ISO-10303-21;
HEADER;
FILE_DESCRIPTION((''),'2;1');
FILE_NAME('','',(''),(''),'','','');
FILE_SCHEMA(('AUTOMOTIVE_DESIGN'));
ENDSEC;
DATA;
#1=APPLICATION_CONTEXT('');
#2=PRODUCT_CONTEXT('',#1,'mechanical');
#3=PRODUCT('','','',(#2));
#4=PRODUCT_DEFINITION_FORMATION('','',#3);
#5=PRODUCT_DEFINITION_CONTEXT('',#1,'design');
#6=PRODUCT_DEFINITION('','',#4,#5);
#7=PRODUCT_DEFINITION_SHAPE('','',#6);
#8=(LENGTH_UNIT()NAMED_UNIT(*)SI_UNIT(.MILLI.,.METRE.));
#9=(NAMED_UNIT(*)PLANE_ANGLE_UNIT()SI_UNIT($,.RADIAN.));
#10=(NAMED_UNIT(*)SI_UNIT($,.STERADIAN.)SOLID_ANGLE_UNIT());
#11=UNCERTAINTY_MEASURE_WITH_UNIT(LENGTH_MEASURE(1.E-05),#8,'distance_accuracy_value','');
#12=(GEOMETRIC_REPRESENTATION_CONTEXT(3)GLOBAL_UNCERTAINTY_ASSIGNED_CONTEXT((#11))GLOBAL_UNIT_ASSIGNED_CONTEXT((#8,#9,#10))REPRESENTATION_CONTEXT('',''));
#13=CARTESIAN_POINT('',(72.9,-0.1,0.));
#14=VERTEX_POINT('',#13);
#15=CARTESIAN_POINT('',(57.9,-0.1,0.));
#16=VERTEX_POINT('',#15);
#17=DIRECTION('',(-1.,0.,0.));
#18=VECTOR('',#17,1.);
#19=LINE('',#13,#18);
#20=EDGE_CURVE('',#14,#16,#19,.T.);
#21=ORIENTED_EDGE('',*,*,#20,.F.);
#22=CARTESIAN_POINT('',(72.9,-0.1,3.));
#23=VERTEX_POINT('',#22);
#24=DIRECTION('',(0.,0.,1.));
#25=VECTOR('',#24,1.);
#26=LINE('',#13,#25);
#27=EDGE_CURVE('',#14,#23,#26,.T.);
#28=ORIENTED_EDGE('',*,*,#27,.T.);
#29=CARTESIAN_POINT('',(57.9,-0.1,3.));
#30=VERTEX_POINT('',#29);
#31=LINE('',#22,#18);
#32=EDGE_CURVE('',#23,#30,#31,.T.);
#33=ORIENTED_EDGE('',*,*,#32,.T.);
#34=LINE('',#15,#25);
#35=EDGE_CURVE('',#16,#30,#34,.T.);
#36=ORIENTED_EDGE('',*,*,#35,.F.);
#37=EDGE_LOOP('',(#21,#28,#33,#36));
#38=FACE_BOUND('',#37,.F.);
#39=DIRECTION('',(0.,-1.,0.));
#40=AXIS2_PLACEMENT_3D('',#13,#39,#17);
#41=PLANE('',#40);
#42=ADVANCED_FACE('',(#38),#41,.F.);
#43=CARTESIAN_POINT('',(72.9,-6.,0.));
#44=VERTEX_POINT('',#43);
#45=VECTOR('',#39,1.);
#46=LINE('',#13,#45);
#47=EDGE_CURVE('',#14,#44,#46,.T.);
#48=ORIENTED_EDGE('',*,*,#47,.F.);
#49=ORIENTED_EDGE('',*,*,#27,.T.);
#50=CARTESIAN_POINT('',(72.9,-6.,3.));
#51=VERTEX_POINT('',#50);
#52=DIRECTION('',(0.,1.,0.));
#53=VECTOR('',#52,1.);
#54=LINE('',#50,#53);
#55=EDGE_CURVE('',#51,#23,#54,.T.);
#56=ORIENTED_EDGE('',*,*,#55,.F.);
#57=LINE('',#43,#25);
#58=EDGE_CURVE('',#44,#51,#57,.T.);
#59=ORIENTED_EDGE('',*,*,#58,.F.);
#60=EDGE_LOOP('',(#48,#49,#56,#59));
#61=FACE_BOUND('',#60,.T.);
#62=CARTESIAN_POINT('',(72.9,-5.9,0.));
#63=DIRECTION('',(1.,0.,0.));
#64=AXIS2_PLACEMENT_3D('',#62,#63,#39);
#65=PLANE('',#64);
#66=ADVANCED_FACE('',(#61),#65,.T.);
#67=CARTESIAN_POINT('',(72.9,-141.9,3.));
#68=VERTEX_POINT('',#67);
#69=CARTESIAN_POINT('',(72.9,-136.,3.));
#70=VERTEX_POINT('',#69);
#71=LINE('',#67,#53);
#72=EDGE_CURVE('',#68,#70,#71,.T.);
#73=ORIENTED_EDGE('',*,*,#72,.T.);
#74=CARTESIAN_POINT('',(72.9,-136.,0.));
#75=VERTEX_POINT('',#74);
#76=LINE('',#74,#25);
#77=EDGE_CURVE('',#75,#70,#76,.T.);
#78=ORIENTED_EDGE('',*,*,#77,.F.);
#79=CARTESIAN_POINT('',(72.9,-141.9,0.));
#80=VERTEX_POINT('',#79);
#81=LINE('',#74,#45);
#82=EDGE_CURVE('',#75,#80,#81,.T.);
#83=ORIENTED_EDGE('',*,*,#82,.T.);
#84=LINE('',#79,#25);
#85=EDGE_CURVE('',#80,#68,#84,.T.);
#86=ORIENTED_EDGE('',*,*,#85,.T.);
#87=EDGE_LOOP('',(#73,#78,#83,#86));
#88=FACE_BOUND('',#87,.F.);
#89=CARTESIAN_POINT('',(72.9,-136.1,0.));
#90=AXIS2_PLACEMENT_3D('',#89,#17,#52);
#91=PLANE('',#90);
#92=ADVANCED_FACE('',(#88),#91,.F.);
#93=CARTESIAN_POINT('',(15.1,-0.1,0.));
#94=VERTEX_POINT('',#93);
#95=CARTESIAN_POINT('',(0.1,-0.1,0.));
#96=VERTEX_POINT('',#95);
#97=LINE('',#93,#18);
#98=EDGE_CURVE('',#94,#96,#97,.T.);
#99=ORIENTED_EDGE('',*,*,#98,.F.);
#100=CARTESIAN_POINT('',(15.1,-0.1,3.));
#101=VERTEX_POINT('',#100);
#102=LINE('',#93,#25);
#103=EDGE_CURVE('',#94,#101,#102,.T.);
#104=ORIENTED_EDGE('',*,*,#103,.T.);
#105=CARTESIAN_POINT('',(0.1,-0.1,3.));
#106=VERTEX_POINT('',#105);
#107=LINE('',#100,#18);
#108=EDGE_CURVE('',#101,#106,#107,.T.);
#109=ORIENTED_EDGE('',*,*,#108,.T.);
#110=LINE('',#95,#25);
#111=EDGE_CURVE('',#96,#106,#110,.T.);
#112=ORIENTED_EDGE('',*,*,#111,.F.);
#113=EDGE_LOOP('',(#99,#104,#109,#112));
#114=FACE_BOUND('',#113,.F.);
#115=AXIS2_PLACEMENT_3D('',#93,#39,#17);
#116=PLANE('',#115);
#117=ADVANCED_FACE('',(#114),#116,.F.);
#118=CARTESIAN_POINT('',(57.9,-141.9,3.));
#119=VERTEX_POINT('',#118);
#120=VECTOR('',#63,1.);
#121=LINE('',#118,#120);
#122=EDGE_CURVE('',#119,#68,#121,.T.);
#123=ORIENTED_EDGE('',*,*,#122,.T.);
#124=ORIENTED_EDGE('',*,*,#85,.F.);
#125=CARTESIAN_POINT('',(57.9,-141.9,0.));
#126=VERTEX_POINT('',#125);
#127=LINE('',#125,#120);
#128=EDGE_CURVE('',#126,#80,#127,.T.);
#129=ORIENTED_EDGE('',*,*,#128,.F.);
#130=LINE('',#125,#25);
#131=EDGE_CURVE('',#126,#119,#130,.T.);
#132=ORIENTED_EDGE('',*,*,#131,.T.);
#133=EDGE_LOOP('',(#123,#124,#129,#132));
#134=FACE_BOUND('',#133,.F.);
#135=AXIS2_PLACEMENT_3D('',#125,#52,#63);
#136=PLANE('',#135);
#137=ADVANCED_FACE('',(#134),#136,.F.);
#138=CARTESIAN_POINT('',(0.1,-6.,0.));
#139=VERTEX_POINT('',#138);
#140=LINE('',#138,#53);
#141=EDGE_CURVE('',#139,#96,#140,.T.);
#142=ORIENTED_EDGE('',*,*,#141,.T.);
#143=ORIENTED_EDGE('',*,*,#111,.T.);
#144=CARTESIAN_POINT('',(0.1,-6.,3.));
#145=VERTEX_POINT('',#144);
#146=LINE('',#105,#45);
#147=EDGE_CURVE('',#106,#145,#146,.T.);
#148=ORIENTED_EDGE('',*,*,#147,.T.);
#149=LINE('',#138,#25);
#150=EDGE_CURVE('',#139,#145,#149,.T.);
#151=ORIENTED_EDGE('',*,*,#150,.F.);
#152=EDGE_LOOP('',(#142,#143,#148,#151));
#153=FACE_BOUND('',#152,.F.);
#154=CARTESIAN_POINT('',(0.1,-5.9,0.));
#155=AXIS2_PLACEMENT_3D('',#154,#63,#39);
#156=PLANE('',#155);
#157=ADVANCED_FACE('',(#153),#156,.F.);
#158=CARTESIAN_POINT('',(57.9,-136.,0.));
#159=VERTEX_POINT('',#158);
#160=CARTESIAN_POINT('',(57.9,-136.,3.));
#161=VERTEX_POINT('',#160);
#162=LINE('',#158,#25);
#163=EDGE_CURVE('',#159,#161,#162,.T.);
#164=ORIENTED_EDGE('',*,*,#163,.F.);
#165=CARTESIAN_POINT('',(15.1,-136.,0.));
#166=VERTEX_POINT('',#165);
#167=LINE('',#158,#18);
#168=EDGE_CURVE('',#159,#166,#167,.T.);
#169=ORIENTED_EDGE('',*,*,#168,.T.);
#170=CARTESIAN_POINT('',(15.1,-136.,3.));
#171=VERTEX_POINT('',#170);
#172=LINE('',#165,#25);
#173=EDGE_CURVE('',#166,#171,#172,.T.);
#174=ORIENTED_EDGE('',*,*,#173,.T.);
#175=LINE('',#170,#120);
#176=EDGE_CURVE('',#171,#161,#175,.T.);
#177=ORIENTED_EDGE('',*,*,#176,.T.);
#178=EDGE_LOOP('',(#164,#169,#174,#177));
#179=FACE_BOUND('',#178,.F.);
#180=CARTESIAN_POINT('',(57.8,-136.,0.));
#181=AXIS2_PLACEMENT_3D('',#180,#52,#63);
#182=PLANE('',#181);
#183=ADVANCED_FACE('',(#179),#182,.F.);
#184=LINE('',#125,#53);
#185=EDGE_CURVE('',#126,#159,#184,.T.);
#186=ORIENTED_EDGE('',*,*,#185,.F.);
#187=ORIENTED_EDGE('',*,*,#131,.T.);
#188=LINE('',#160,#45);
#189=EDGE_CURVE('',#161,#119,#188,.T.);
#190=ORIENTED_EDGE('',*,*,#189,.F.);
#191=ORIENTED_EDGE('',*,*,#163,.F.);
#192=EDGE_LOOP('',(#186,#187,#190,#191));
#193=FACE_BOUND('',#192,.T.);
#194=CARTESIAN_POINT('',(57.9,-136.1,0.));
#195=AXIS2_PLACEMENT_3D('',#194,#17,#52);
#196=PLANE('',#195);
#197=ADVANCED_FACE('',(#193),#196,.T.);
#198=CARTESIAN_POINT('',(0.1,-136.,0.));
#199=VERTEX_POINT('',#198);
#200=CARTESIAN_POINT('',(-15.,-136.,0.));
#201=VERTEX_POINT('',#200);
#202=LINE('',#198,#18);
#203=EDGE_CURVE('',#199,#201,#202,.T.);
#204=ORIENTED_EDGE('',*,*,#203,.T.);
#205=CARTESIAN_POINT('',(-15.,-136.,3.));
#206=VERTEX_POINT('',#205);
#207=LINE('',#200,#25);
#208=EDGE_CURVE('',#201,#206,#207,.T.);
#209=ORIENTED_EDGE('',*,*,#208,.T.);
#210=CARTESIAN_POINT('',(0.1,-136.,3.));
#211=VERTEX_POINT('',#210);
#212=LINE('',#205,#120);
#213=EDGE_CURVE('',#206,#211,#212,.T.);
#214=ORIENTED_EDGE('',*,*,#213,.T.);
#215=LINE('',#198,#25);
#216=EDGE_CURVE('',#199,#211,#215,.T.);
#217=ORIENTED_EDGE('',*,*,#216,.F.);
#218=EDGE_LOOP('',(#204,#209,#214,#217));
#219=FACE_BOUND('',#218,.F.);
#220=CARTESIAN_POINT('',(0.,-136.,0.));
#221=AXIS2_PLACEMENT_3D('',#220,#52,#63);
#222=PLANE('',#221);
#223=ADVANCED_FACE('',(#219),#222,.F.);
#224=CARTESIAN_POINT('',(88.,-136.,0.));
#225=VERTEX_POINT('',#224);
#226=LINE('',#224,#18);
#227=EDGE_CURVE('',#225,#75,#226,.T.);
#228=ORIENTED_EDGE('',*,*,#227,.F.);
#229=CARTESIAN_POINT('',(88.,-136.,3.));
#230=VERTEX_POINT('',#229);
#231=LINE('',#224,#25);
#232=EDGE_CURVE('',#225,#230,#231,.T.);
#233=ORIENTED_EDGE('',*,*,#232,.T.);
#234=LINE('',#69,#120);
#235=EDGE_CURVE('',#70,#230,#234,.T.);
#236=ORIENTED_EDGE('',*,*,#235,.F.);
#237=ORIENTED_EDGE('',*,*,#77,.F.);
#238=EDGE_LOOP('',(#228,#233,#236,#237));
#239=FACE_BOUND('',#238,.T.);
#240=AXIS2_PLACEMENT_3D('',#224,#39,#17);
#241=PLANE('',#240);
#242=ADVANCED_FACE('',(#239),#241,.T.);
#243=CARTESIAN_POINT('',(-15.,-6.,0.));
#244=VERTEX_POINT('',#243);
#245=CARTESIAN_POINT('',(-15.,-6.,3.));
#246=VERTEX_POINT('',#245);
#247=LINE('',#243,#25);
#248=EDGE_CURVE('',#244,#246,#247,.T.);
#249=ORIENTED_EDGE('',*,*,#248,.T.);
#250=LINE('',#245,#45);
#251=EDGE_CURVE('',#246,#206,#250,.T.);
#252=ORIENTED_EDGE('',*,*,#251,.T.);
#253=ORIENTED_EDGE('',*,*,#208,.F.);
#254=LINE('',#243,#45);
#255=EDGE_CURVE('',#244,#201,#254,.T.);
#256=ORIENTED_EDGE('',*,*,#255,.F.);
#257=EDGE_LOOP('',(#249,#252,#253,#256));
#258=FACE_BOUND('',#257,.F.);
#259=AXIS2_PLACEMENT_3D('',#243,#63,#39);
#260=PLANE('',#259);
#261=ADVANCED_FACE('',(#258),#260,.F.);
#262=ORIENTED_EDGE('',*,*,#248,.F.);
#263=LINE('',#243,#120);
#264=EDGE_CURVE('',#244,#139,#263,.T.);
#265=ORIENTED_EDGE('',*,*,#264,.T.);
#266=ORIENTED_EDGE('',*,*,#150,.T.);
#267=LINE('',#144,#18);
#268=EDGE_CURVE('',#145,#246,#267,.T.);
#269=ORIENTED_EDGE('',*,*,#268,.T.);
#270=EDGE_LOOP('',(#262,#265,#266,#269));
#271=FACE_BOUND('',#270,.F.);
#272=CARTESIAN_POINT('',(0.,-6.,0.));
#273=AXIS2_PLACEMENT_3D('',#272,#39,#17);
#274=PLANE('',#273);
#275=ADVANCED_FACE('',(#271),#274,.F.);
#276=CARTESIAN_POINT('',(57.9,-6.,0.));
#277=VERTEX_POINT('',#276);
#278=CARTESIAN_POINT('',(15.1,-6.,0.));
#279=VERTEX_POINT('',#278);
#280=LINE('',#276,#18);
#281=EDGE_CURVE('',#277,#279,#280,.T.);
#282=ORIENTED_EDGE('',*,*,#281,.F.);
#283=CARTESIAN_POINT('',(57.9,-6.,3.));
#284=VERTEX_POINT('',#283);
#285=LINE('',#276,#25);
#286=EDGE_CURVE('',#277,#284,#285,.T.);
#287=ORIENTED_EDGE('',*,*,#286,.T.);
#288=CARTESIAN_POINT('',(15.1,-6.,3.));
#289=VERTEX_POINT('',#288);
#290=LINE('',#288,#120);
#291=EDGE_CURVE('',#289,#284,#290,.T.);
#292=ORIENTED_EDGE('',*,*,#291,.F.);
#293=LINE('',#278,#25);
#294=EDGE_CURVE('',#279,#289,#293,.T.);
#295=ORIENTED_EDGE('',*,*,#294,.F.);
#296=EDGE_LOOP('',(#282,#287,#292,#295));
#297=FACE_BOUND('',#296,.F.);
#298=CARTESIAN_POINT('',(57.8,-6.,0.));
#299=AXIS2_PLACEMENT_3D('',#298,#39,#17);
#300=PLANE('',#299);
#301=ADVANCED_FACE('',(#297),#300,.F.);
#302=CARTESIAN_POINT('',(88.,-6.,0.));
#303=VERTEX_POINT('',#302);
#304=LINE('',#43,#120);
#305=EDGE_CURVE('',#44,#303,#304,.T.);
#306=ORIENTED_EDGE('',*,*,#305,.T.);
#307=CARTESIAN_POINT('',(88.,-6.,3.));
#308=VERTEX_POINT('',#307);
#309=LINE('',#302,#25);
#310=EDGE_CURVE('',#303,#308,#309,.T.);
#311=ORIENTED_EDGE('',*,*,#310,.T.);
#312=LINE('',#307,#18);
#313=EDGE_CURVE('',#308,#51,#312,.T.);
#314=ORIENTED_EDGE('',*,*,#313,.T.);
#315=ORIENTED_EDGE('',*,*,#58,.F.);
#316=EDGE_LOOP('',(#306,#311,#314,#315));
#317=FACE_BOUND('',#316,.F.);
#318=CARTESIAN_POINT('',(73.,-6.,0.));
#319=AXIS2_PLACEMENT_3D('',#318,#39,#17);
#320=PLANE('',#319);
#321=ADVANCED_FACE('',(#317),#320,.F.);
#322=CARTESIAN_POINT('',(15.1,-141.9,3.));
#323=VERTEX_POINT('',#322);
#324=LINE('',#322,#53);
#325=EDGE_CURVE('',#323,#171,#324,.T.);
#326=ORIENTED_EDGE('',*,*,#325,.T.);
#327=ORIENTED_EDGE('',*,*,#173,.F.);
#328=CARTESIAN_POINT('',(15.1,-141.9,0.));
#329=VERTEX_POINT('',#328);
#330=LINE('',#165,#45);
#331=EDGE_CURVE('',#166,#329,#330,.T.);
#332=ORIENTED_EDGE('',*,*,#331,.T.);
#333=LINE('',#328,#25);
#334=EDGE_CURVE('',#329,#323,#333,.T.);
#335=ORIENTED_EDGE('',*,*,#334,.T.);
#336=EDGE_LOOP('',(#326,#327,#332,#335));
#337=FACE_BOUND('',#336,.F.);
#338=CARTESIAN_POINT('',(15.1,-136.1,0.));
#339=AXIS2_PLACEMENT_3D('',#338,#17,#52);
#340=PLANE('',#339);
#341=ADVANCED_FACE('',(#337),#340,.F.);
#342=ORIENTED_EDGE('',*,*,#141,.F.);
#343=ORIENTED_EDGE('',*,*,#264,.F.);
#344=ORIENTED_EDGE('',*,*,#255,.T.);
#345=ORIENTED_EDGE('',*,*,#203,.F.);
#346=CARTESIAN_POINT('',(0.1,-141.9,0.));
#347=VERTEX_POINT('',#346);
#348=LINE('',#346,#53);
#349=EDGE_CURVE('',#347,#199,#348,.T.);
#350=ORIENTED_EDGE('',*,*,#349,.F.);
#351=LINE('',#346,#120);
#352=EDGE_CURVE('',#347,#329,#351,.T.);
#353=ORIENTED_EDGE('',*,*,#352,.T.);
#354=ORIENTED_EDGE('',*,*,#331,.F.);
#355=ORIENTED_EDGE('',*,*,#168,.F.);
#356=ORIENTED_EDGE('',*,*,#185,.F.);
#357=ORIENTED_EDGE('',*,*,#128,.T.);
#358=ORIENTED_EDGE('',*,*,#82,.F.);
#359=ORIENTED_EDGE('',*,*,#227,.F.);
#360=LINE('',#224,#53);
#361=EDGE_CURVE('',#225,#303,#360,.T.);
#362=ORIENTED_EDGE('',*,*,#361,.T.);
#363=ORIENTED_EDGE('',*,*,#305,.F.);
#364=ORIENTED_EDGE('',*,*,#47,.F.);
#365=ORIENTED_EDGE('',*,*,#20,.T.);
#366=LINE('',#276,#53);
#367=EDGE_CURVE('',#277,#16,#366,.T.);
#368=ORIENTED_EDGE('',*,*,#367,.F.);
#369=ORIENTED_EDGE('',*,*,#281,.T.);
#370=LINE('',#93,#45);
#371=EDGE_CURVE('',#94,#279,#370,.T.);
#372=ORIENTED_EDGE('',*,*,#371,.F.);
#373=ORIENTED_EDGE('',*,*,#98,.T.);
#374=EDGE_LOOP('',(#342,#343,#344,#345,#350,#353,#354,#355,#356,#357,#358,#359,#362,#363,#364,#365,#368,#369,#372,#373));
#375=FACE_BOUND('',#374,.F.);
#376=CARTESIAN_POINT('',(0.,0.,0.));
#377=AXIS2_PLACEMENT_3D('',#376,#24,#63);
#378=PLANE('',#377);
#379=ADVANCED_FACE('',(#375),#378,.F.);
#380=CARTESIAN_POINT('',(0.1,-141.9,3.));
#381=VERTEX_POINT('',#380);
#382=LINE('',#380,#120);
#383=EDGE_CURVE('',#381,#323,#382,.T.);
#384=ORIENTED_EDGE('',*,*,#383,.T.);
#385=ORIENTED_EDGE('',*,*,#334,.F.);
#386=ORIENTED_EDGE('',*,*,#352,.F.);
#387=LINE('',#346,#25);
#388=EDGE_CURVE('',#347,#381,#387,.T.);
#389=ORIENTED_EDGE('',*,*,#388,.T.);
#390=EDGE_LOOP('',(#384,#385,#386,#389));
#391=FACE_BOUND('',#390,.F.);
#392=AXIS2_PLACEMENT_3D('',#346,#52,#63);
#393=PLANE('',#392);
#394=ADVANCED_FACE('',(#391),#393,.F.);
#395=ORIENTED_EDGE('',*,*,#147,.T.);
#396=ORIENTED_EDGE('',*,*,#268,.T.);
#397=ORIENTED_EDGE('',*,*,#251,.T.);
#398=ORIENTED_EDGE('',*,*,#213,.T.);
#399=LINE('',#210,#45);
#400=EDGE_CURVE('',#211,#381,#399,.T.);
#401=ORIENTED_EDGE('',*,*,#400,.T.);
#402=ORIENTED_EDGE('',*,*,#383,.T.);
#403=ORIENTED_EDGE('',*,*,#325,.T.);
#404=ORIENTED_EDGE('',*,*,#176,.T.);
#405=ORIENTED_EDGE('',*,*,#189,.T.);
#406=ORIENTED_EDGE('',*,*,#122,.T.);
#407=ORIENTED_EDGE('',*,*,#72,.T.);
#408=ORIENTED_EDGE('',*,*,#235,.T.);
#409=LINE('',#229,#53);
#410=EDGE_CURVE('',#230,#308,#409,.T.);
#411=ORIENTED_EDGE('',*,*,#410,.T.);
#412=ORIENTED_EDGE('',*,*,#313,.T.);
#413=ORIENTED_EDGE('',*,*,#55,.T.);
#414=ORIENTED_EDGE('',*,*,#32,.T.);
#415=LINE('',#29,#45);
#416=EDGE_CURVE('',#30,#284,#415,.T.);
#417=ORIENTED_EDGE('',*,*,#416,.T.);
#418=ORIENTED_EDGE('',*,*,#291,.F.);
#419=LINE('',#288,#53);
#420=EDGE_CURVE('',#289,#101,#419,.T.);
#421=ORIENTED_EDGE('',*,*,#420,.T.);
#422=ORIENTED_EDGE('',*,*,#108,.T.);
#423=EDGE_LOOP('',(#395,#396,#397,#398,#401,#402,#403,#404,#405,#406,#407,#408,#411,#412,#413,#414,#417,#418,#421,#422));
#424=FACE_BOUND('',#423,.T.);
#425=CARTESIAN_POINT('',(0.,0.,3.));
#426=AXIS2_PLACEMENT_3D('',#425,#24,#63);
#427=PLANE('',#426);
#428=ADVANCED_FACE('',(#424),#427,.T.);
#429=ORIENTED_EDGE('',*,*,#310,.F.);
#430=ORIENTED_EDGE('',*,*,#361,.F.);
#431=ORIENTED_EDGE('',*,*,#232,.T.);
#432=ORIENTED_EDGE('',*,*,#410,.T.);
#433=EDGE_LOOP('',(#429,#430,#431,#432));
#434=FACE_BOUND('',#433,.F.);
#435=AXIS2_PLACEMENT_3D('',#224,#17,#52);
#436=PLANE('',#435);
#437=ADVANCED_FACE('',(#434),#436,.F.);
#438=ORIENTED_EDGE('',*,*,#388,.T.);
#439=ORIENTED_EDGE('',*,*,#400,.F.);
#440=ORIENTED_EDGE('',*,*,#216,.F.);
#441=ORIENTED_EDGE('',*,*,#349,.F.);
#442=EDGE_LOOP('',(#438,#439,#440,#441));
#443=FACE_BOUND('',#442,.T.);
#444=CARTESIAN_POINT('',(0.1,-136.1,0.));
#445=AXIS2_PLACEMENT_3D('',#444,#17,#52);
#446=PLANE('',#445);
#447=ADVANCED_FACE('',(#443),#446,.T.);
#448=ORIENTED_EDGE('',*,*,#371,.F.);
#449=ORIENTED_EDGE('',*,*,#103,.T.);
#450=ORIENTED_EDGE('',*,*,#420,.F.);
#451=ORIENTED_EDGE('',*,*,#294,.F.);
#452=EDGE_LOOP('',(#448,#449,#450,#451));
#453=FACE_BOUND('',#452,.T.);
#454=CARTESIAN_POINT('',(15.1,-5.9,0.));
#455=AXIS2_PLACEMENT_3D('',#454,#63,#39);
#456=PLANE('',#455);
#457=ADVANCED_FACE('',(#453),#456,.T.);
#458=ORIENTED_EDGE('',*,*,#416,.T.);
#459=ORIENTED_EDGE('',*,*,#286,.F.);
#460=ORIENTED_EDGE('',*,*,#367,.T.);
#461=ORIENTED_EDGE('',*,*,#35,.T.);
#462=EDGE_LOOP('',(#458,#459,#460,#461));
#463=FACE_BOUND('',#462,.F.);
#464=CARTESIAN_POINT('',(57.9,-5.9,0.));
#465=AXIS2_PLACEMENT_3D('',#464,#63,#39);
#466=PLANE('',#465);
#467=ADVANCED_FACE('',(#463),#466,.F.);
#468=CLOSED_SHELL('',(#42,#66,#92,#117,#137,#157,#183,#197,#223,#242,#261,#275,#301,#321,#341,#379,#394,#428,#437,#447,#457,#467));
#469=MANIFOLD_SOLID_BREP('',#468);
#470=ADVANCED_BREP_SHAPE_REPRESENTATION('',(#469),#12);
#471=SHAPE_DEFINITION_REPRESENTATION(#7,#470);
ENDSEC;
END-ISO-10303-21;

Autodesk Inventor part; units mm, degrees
ref_plane "YZ Plane" through (0, 0, 0) normal (1, 0, 0) x (0, 1, 0)
ref_plane "XZ Plane" through (0, 0, 0) normal (0, 1, 0) x (-1, 0, 0)
ref_plane "XY Plane" through (0, 0, 0) normal (0, 0, 1) x (1, 0, 0)
sketch "Sketch1" plane through (0, 0, 0) normal (0, 0, 1) x (1, 0, 0)
  line L0 (15.2, -6) -> (0, -6) projected
  line L1 (15.2, 0) -> (15.2, -6) projected
  line L2 (0, 0) -> (15.2, 0) projected
  line L3 (0, 0) -> (0, -6) projected
  line L4 (73, -6) -> (57.8, -6) projected
  line L5 (73, 0) -> (73, -6) projected
  line L6 (57.8, 0) -> (73, 0) projected
  line L7 (57.8, 0) -> (57.8, -6) projected
  line L8 (57.8, -136) -> (73, -136) projected
  line L9 (57.8, -136) -> (57.8, -151) projected
  line L10 (57.8, -151) -> (73, -151) projected
  line L11 (73, -136) -> (73, -151) projected
  line L12 (0, -136) -> (15.2, -136) projected
  line L13 (0, -136) -> (0, -151) projected
  line L14 (0, -151) -> (15.2, -151) projected
  line L15 (15.2, -136) -> (15.2, -151) projected
  line L16 (0.1, -150.9) -> (0.1, -136.1)
  line L17 (0.1, -136.1) -> (15.1, -136.1)
  line L18 (15.1, -136.1) -> (15.1, -150.9)
  line L19 (15.1, -150.9) -> (0.1, -150.9)
  line L20 (57.9, -150.9) -> (57.9, -136.1)
  line L21 (57.9, -136.1) -> (72.9, -136.1)
  line L22 (72.9, -136.1) -> (72.9, -150.9)
  line L23 (72.9, -150.9) -> (57.9, -150.9)
  line L24 (88, -136) -> (-15, -136) projected
  line L25 (-15, -136) -> (88, -136)
  line L26 (88, -136) -> (88, -6)
  line L27 (88, -6) -> (-15, -6)
  line L28 (-15, -6) -> (-15, -136)
  line L29 (0.1, -5.9) -> (15.1, -5.9)
  line L30 (15.1, -5.9) -> (15.1, -0.1)
  line L31 (15.1, -0.1) -> (0.1, -0.1)
  line L32 (0.1, -0.1) -> (0.1, -5.9)
  line L33 (57.9, -5.9) -> (72.9, -5.9)
  line L34 (72.9, -5.9) -> (72.9, -0.1)
  line L35 (72.9, -0.1) -> (57.9, -0.1)
  line L36 (57.9, -0.1) -> (57.9, -5.9)
  line L37 (72.9, -5.9) -> (72.9, -6)
  line L38 (57.9, -5.9) -> (57.9, -6)
  line L39 (15.1, -5.9) -> (15.1, -6)
  line L40 (0.1, -5.9) -> (0.1, -6)
  line L41 (0.1, -136.1) -> (0.1, -136)
  line L42 (15.1, -136.1) -> (15.1, -136)
  line L43 (57.9, -136.1) -> (57.9, -136)
  line L44 (72.9, -136.1) -> (72.9, -136)
  line L45 (0.1, -141.9) -> (15.1, -141.9)
  line L46 (57.9, -141.9) -> (72.9, -141.9)
  dimension "d0" = 0.1
  dimension "d1" = 0.1
  dimension "d2" = 103
  dimension "d3" = 130
  dimension "d4" = 0.1
  dimension "d5" = 0.1
  dimension "d6" = 5.9
  dimension "d7" = 5.9
  dimension "d8" = 5.9
extrude "Extrusion1" add sketch "Sketch1" along normal blind 3 contours L27 L4 L26 L24 L8 L12 L28 L0 | L0 L40 L29 L39 | L29 L32 L31 L30 | L38 L33 L37 L4 | L36 L35 L34 L33 | L12 L42 L17 L41 | L17 L18 L45 L16 | L44 L21 L43 L8 | L22 L46 L20 L21
equation "\"d6\" = d7"
equation "\"d8\" = d7"
properties part number "sideWall_R2"
